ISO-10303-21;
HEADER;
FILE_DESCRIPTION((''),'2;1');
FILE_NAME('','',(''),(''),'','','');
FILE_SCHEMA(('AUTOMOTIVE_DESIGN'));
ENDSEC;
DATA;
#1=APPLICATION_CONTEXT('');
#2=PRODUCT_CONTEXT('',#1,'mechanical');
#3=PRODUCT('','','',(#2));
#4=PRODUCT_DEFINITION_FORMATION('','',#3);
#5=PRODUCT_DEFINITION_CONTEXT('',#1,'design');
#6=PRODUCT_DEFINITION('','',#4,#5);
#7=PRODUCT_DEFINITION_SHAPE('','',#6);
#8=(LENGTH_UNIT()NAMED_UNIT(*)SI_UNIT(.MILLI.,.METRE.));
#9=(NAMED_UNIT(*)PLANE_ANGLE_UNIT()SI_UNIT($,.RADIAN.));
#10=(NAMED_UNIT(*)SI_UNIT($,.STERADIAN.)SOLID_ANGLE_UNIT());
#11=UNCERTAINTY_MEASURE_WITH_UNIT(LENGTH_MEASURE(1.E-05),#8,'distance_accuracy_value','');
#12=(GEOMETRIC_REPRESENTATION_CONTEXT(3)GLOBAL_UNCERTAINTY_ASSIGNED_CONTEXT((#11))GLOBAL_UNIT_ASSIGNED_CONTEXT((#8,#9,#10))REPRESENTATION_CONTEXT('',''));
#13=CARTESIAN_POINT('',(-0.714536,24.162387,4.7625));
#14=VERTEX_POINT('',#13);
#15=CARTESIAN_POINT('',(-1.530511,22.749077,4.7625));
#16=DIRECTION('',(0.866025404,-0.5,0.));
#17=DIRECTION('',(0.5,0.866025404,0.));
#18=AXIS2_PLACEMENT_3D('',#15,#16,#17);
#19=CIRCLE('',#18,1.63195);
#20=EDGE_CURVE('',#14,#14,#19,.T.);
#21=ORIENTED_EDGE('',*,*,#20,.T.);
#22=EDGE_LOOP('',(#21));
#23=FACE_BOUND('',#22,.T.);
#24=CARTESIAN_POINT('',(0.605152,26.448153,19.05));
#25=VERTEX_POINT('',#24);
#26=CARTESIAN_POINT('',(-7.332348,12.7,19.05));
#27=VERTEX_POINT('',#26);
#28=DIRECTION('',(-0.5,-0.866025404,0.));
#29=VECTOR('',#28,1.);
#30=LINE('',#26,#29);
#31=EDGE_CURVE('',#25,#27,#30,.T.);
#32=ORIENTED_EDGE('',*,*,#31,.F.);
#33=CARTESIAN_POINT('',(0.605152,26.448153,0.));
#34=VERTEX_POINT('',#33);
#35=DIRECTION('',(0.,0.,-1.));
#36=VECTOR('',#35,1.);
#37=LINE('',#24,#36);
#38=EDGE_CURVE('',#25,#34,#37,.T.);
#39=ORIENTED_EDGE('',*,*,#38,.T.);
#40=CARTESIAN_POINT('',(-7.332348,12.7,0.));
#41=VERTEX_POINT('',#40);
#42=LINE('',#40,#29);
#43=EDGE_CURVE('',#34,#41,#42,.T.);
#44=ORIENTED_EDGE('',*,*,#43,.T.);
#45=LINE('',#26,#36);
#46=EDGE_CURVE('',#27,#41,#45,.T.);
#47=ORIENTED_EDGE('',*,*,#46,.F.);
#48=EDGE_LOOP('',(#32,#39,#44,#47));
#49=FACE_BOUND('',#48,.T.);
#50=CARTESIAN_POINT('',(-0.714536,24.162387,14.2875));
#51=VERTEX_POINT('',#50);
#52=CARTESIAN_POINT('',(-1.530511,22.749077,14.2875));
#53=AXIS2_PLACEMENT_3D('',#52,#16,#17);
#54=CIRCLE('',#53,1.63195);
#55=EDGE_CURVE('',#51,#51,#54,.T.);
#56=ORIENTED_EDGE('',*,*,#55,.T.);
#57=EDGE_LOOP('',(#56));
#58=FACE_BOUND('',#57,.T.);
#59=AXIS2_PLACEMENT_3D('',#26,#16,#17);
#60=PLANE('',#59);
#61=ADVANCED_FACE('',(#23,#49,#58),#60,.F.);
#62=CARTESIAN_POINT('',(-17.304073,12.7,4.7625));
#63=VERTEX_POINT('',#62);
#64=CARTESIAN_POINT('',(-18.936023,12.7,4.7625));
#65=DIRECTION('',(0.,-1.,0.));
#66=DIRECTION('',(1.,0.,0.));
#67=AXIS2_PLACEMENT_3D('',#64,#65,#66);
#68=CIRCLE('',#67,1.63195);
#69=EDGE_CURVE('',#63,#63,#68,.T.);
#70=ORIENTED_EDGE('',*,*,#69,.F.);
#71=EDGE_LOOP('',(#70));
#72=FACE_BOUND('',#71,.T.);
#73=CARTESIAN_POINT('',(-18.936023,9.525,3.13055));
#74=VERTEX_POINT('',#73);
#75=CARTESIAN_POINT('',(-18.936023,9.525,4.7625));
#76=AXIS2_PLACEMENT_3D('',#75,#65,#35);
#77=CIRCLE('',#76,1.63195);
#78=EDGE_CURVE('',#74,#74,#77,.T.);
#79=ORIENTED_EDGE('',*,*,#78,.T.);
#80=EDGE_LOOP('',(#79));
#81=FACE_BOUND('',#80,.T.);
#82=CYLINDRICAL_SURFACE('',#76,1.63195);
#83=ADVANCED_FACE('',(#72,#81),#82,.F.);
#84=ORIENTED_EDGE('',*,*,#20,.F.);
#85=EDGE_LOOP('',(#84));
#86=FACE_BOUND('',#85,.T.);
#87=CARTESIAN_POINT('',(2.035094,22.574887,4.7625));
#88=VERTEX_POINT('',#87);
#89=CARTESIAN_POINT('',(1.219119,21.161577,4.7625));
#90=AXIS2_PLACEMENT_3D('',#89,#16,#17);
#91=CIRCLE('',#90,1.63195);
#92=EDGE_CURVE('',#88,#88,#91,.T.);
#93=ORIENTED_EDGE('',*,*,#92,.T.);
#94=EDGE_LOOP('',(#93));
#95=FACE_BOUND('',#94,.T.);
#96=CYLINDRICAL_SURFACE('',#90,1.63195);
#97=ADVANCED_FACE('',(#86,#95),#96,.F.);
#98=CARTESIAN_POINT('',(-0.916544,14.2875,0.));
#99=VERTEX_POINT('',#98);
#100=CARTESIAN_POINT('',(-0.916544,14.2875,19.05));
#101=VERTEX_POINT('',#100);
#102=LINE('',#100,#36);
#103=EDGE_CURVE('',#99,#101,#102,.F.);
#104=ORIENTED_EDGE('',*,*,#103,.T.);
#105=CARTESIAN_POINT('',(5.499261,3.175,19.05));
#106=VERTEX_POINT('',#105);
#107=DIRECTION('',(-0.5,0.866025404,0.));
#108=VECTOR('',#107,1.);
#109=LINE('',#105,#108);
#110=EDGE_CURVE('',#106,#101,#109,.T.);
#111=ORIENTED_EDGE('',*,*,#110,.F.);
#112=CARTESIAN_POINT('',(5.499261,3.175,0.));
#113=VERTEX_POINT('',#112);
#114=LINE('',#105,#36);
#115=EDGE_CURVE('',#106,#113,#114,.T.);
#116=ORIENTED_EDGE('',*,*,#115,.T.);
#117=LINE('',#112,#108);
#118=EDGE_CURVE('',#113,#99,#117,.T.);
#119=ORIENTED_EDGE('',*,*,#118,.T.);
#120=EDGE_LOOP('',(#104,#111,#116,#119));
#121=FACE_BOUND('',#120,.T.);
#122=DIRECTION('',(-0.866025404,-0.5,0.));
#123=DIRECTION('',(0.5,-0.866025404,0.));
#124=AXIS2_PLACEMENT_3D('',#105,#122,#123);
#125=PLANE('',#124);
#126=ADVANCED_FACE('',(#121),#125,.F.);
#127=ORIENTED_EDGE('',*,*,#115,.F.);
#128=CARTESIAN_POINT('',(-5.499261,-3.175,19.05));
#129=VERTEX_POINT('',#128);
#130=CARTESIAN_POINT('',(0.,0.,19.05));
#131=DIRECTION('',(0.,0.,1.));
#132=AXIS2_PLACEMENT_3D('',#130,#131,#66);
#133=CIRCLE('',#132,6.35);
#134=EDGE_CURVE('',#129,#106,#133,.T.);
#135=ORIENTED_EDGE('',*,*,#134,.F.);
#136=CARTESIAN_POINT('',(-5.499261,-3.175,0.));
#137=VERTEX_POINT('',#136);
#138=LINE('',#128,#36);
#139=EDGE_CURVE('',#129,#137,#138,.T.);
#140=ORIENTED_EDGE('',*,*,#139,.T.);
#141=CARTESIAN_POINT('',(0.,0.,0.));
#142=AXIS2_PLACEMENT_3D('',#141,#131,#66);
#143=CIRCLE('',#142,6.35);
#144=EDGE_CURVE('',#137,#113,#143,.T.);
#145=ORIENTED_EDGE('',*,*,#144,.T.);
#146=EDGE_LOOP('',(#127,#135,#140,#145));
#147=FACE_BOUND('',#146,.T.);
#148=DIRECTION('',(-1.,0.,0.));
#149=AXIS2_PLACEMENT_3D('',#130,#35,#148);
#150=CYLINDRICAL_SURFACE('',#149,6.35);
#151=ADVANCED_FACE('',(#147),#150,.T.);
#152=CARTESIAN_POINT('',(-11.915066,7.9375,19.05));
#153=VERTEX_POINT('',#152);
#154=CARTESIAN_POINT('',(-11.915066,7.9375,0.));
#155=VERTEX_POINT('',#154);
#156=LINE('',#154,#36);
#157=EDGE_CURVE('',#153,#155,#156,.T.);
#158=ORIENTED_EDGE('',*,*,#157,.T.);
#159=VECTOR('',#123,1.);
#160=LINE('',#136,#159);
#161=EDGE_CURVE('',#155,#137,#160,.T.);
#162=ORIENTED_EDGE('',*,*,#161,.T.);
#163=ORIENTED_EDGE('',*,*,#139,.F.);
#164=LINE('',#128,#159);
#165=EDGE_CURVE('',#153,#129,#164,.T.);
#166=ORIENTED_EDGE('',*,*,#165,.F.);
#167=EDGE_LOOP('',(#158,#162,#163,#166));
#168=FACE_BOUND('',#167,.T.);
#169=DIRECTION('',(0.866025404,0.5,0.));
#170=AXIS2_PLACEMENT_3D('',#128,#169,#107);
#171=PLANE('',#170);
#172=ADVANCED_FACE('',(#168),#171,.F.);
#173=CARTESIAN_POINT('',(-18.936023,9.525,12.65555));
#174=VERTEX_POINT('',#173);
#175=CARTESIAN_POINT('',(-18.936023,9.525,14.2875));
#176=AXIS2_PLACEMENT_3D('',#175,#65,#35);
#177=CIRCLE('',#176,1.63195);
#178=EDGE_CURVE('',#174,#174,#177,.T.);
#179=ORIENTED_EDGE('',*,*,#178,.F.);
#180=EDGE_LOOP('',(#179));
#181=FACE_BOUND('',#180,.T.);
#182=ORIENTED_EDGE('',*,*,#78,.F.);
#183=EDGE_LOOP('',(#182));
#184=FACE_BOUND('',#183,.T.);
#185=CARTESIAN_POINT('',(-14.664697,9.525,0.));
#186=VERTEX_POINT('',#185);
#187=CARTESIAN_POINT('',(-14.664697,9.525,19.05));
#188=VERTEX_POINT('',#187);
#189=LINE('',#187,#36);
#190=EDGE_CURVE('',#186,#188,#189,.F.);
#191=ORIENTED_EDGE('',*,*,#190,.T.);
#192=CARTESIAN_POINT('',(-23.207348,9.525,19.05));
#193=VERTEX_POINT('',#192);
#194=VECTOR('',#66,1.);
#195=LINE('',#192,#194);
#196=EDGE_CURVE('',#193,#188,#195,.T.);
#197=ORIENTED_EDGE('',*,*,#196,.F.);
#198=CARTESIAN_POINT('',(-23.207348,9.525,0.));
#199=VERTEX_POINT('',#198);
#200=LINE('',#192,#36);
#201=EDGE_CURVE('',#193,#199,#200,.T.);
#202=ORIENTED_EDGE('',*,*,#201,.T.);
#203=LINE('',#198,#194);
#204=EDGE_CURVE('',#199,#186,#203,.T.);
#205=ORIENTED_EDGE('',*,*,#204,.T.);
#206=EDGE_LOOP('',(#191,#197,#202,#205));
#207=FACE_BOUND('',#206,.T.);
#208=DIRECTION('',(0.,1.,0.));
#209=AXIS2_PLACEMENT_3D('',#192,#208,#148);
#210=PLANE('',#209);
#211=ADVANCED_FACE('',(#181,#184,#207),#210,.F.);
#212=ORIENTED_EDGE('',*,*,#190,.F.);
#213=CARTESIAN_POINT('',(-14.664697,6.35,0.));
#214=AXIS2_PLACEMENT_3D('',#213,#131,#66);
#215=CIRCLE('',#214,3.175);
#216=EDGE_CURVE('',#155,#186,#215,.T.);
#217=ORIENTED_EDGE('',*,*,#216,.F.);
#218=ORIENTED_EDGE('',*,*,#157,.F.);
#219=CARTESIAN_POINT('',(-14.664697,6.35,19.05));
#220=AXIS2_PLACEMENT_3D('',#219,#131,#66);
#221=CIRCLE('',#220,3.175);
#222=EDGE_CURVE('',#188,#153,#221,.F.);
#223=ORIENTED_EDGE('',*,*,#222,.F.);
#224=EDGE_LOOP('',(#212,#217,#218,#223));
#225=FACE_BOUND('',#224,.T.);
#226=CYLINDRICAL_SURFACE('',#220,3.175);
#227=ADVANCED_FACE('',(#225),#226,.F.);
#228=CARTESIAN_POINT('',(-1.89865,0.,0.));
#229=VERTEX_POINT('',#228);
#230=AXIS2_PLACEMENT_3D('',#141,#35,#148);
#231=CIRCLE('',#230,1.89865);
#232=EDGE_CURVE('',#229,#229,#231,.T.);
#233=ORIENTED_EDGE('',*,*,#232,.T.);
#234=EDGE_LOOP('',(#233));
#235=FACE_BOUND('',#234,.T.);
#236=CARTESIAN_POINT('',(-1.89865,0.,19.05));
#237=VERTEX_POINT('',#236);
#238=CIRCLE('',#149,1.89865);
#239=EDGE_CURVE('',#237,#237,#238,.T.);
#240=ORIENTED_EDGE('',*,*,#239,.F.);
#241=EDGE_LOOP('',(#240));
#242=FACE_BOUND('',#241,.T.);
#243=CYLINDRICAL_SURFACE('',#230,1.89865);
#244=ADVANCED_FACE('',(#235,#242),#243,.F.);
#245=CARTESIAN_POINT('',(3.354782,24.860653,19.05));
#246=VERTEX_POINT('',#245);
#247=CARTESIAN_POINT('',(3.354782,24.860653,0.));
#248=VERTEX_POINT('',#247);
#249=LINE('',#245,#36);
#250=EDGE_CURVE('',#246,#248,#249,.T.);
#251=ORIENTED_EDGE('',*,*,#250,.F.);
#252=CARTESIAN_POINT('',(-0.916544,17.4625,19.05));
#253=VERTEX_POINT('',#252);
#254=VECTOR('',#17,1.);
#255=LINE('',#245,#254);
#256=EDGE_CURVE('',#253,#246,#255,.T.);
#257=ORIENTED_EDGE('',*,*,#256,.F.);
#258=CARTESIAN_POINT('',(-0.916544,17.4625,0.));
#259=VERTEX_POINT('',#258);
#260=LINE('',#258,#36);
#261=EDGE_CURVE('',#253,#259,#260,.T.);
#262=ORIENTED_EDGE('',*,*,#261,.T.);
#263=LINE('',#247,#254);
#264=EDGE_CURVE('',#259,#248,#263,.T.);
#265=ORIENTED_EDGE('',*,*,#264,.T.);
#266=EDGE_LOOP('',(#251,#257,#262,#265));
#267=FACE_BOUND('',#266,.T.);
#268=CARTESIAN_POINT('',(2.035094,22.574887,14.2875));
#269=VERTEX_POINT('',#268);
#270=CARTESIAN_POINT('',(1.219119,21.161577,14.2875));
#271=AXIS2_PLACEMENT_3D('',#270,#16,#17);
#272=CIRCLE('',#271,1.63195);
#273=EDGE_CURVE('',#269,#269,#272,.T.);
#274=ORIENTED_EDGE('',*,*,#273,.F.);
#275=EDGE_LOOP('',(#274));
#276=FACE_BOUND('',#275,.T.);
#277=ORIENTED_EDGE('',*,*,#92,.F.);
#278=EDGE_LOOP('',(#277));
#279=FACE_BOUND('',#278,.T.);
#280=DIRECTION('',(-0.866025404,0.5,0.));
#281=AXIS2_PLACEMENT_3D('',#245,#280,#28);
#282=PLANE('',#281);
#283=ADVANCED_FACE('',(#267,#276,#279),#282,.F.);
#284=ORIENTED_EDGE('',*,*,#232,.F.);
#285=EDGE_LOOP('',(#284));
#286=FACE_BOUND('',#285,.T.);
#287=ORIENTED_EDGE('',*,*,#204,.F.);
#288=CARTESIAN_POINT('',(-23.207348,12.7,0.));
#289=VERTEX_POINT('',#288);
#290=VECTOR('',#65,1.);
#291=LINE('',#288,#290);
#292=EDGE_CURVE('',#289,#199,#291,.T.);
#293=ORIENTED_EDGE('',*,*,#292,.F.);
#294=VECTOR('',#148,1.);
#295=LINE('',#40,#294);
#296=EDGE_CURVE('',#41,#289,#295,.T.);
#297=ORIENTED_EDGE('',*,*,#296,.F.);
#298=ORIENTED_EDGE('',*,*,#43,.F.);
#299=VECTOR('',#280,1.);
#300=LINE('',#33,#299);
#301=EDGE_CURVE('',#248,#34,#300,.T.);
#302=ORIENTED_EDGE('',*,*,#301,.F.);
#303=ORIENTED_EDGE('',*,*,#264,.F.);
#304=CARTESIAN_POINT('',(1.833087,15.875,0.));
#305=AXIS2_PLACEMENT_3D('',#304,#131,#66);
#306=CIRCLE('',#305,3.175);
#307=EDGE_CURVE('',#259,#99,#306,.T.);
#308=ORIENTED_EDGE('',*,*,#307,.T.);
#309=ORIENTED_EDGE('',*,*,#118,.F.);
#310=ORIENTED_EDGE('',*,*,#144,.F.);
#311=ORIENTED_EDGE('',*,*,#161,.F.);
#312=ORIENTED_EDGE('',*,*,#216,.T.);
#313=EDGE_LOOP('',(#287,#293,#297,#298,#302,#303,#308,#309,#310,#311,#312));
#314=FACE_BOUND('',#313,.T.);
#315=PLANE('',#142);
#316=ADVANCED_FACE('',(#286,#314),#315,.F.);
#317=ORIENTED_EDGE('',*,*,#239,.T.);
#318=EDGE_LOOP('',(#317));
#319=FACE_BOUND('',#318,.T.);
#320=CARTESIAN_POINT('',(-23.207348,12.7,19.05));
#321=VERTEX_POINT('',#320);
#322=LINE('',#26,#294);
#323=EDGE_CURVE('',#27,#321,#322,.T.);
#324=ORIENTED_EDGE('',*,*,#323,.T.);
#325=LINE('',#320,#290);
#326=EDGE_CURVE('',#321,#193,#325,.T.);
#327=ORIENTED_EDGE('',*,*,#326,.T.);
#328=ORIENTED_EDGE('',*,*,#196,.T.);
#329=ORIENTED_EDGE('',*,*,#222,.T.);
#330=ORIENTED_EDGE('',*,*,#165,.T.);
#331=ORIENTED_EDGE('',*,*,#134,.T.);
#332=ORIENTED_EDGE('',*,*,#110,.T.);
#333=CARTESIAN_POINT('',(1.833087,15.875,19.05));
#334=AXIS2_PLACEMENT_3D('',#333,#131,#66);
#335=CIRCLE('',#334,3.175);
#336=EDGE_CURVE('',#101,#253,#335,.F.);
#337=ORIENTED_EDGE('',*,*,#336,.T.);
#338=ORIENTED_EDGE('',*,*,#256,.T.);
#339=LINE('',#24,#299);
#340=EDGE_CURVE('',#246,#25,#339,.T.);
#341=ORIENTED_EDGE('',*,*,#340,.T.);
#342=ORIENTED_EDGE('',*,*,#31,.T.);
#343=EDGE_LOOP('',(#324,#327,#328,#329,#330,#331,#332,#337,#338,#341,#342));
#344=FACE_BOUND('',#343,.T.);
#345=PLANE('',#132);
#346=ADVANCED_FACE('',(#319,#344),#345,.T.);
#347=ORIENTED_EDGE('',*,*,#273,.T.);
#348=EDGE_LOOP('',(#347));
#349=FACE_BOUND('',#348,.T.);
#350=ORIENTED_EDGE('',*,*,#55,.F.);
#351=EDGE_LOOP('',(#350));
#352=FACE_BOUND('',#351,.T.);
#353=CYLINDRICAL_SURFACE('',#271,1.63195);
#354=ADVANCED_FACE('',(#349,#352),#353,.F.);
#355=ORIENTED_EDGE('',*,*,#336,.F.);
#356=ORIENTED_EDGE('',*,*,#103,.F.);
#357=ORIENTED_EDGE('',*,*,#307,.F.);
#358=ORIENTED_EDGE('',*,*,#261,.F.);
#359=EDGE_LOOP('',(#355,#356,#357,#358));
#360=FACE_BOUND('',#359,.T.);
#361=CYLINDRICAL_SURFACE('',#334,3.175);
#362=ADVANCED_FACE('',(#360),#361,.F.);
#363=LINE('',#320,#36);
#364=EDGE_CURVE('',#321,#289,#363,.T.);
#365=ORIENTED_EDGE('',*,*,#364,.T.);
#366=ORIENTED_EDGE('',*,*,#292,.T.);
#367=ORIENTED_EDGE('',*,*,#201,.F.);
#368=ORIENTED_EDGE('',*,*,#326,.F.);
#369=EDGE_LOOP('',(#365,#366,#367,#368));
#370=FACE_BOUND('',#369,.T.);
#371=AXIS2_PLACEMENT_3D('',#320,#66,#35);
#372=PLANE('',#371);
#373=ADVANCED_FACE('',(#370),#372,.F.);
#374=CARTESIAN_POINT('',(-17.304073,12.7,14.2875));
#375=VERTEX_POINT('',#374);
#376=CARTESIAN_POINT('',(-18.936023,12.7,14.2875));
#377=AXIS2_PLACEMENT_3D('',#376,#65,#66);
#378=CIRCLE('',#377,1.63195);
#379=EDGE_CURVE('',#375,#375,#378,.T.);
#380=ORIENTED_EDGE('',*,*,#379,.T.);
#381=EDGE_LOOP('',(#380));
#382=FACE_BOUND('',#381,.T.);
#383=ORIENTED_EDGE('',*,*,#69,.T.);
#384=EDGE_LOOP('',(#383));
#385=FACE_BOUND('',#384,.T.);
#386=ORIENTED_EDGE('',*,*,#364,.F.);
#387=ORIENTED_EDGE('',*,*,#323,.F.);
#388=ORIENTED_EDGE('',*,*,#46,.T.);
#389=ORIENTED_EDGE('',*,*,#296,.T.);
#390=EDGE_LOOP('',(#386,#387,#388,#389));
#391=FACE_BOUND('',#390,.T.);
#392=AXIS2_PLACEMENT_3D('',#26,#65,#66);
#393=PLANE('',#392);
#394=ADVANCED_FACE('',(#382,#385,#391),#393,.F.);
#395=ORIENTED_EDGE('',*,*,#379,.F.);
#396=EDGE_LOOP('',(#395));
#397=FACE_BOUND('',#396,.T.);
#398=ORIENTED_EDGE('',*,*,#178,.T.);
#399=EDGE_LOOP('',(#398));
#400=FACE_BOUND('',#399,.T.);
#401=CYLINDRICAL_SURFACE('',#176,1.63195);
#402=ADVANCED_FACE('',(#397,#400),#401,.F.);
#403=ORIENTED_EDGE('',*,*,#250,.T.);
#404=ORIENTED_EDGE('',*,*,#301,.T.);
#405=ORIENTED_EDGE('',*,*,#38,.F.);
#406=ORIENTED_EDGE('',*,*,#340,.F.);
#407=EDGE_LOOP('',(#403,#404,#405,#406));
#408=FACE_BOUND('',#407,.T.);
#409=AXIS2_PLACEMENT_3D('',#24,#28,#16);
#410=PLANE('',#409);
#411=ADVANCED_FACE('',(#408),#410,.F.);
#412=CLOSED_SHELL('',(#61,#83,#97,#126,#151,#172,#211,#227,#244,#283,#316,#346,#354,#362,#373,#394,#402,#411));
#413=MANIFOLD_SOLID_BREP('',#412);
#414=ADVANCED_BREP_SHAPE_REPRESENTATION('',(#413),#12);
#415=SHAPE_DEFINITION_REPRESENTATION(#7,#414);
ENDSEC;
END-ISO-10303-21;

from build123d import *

# Parameters (mm, degrees)
BOSS_EXTRUDE1_DEPTH     = 19.05
F_6_CLEARANCE_HOLE1_D   = 3.7973
FILLET1_R               = 3.175
E_0_25_DIAMETER_HOLE1_D = 3.2639
E_0_25_DIAMETER_HOLE2_D = 3.2639


with BuildPart() as part:
    # Sketch1 → Boss-Extrude1 (new body)
    with BuildSketch(Plane.XY):
        with BuildLine():
            Line((-7.332348419, 12.7), (0.605151581, 26.448153285))
            Line((0.605151581, 26.448153285), (3.354782238, 24.860653285))
            Line((3.354782238, 24.860653285), (-1.833087105, 15.875))
            Line((-1.833087105, 15.875), (5.499261314, 3.175))
            ThreePointArc((5.499261314, 3.175), (3.175, -5.499261314), (-5.499261314, -3.175))
            Line((-5.499261314, -3.175), (-12.831609733, 9.525))
            Line((-12.831609733, 9.525), (-23.207348419, 9.525))
            Line((-23.207348419, 9.525), (-23.207348419, 12.7))
            Line((-23.207348419, 12.7), (-7.332348419, 12.7))
        make_face()
    extrude(amount=BOSS_EXTRUDE1_DEPTH)

    # #6 Clearance Hole1 (through all)
    with Locations(Plane(origin=(0, 0, 0), x_dir=(-1, 0, 0), z_dir=(0, 0, -1))):
        with Locations((0, 0)):
            Hole(F_6_CLEARANCE_HOLE1_D / 2)

    # Fillet1
    fillet1_edges = [part.edges().sort_by_distance(p)[0] for p in [
        (-1.833087105, 15.875, 9.525),
        (-12.831609733, 9.525, 9.525),
    ]]
    fillet(fillet1_edges, radius=FILLET1_R)

    # E (0.25) Diameter Hole1 (through all)
    with Locations(Plane(origin=(-8.248891971, 4.7625, 0), x_dir=(0, 0, -1), z_dir=(0.86602540378444, -0.49999999999999784, 0))):
        with Locations((-4.7625, 18.936022628), (-14.2875, 18.936022628)):
            Hole(E_0_25_DIAMETER_HOLE1_D / 2)

    # E (0.25) Diameter Hole2 (through all)
    with Locations(Plane(origin=(-18.936022628, 9.525, 14.2875), x_dir=(-1, 0, 0), z_dir=(0, -1, 0))):
        with Locations((0, 0), (0, 9.525)):
            Hole(E_0_25_DIAMETER_HOLE2_D / 2)


solid = part.part
